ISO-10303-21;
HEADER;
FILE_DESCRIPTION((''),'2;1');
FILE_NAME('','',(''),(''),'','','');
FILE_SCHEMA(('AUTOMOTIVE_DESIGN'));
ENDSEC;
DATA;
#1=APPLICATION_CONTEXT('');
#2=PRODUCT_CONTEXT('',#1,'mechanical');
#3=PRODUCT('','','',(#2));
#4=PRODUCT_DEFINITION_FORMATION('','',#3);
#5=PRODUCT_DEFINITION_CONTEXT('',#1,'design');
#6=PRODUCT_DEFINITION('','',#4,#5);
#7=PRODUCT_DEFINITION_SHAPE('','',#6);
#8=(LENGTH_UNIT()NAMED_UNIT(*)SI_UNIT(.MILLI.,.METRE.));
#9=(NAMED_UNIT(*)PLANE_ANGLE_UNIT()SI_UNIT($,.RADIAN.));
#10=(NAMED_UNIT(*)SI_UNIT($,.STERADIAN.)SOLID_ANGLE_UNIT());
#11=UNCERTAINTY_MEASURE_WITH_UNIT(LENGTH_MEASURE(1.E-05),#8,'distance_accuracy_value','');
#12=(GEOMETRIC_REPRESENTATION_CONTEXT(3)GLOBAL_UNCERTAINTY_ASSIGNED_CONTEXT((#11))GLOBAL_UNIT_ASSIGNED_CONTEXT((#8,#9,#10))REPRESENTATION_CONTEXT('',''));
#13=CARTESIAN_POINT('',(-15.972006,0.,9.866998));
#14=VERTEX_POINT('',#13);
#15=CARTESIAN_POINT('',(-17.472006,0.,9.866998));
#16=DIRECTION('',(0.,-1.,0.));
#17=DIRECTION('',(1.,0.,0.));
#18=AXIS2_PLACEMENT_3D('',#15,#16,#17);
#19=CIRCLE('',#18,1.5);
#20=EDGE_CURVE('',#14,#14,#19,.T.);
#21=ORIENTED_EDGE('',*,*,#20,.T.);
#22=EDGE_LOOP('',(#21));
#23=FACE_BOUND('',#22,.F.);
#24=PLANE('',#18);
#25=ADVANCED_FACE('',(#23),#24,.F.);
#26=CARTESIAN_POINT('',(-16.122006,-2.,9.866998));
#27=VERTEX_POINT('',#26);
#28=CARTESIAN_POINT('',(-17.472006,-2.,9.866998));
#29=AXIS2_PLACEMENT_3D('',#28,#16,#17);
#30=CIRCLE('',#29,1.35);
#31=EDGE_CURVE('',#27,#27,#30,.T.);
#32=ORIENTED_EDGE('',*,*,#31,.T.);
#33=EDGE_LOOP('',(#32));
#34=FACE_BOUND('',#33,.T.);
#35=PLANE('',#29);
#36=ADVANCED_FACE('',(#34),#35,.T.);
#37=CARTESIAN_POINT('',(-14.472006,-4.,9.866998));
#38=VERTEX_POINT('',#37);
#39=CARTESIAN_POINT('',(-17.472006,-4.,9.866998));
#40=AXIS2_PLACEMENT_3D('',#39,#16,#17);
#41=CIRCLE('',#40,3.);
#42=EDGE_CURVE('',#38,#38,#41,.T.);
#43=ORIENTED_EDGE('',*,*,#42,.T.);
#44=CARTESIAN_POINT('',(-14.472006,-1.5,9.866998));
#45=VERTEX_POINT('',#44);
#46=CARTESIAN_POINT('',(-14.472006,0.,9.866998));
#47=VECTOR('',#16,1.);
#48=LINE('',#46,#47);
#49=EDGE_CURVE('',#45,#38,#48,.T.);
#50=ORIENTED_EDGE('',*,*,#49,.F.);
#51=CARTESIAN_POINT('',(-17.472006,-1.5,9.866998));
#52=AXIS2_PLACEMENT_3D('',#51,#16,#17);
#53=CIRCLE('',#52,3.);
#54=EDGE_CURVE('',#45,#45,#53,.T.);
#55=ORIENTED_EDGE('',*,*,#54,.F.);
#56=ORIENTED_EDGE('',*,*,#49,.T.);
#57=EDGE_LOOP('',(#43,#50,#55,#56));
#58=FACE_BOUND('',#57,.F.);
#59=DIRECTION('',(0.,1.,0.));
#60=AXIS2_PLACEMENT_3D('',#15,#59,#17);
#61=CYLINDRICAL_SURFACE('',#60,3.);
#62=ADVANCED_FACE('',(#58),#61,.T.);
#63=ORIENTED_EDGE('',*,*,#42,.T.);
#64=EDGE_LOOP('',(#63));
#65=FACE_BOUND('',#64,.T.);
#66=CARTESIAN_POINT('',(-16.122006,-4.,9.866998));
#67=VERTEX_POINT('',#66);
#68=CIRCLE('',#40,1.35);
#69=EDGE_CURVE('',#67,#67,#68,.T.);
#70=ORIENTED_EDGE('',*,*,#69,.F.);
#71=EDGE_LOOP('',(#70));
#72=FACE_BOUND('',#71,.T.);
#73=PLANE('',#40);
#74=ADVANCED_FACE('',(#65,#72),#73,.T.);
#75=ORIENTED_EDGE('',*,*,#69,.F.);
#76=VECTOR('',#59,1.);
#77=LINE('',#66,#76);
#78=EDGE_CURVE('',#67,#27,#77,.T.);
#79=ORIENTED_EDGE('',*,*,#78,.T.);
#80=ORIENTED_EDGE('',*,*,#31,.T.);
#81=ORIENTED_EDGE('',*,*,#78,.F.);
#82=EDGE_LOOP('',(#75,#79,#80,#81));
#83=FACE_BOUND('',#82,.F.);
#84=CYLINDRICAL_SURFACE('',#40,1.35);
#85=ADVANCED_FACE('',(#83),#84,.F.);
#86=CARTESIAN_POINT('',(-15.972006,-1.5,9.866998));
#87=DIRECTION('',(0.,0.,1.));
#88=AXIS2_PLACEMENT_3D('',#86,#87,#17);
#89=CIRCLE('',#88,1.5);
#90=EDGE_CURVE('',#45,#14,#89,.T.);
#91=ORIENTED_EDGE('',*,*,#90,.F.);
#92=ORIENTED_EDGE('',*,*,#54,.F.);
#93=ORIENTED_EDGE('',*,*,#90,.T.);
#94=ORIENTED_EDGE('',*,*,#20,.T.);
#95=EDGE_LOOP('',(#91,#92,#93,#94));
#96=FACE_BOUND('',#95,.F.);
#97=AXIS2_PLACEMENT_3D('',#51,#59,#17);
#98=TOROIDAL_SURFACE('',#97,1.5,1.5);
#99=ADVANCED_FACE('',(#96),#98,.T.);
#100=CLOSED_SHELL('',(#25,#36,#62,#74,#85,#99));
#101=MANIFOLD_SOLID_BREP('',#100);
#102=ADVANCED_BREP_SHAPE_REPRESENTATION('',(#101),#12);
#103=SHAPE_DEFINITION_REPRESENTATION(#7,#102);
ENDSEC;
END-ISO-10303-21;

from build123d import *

# Parameters (mm, degrees)
F0_R     = 3
F1_DEPTH = 4
F2_R     = 1.35
F3_DEPTH = 2
F4_R     = 1.5


with BuildPart() as f1:
    # F0 (on Front) → F1 (new body)
    with BuildSketch(Plane.XZ):
        with Locations((-17.472006, 9.866998)):
            Circle(F0_R)
    extrude(amount=F1_DEPTH)

    # F2 (on face) → F3 (cut)
    with BuildSketch(Plane.XZ.offset(4)):
        with Locations((-17.472006, 9.866998)):
            Circle(F2_R)
    extrude(amount=-F3_DEPTH, mode=Mode.SUBTRACT)

    # F4
    f4_edges = [f1.edges().sort_by_distance(p)[0] for p in [
        (-20.472006, 0, 9.866998),
    ]]
    fillet(f4_edges, radius=F4_R)


solid = f1.part
